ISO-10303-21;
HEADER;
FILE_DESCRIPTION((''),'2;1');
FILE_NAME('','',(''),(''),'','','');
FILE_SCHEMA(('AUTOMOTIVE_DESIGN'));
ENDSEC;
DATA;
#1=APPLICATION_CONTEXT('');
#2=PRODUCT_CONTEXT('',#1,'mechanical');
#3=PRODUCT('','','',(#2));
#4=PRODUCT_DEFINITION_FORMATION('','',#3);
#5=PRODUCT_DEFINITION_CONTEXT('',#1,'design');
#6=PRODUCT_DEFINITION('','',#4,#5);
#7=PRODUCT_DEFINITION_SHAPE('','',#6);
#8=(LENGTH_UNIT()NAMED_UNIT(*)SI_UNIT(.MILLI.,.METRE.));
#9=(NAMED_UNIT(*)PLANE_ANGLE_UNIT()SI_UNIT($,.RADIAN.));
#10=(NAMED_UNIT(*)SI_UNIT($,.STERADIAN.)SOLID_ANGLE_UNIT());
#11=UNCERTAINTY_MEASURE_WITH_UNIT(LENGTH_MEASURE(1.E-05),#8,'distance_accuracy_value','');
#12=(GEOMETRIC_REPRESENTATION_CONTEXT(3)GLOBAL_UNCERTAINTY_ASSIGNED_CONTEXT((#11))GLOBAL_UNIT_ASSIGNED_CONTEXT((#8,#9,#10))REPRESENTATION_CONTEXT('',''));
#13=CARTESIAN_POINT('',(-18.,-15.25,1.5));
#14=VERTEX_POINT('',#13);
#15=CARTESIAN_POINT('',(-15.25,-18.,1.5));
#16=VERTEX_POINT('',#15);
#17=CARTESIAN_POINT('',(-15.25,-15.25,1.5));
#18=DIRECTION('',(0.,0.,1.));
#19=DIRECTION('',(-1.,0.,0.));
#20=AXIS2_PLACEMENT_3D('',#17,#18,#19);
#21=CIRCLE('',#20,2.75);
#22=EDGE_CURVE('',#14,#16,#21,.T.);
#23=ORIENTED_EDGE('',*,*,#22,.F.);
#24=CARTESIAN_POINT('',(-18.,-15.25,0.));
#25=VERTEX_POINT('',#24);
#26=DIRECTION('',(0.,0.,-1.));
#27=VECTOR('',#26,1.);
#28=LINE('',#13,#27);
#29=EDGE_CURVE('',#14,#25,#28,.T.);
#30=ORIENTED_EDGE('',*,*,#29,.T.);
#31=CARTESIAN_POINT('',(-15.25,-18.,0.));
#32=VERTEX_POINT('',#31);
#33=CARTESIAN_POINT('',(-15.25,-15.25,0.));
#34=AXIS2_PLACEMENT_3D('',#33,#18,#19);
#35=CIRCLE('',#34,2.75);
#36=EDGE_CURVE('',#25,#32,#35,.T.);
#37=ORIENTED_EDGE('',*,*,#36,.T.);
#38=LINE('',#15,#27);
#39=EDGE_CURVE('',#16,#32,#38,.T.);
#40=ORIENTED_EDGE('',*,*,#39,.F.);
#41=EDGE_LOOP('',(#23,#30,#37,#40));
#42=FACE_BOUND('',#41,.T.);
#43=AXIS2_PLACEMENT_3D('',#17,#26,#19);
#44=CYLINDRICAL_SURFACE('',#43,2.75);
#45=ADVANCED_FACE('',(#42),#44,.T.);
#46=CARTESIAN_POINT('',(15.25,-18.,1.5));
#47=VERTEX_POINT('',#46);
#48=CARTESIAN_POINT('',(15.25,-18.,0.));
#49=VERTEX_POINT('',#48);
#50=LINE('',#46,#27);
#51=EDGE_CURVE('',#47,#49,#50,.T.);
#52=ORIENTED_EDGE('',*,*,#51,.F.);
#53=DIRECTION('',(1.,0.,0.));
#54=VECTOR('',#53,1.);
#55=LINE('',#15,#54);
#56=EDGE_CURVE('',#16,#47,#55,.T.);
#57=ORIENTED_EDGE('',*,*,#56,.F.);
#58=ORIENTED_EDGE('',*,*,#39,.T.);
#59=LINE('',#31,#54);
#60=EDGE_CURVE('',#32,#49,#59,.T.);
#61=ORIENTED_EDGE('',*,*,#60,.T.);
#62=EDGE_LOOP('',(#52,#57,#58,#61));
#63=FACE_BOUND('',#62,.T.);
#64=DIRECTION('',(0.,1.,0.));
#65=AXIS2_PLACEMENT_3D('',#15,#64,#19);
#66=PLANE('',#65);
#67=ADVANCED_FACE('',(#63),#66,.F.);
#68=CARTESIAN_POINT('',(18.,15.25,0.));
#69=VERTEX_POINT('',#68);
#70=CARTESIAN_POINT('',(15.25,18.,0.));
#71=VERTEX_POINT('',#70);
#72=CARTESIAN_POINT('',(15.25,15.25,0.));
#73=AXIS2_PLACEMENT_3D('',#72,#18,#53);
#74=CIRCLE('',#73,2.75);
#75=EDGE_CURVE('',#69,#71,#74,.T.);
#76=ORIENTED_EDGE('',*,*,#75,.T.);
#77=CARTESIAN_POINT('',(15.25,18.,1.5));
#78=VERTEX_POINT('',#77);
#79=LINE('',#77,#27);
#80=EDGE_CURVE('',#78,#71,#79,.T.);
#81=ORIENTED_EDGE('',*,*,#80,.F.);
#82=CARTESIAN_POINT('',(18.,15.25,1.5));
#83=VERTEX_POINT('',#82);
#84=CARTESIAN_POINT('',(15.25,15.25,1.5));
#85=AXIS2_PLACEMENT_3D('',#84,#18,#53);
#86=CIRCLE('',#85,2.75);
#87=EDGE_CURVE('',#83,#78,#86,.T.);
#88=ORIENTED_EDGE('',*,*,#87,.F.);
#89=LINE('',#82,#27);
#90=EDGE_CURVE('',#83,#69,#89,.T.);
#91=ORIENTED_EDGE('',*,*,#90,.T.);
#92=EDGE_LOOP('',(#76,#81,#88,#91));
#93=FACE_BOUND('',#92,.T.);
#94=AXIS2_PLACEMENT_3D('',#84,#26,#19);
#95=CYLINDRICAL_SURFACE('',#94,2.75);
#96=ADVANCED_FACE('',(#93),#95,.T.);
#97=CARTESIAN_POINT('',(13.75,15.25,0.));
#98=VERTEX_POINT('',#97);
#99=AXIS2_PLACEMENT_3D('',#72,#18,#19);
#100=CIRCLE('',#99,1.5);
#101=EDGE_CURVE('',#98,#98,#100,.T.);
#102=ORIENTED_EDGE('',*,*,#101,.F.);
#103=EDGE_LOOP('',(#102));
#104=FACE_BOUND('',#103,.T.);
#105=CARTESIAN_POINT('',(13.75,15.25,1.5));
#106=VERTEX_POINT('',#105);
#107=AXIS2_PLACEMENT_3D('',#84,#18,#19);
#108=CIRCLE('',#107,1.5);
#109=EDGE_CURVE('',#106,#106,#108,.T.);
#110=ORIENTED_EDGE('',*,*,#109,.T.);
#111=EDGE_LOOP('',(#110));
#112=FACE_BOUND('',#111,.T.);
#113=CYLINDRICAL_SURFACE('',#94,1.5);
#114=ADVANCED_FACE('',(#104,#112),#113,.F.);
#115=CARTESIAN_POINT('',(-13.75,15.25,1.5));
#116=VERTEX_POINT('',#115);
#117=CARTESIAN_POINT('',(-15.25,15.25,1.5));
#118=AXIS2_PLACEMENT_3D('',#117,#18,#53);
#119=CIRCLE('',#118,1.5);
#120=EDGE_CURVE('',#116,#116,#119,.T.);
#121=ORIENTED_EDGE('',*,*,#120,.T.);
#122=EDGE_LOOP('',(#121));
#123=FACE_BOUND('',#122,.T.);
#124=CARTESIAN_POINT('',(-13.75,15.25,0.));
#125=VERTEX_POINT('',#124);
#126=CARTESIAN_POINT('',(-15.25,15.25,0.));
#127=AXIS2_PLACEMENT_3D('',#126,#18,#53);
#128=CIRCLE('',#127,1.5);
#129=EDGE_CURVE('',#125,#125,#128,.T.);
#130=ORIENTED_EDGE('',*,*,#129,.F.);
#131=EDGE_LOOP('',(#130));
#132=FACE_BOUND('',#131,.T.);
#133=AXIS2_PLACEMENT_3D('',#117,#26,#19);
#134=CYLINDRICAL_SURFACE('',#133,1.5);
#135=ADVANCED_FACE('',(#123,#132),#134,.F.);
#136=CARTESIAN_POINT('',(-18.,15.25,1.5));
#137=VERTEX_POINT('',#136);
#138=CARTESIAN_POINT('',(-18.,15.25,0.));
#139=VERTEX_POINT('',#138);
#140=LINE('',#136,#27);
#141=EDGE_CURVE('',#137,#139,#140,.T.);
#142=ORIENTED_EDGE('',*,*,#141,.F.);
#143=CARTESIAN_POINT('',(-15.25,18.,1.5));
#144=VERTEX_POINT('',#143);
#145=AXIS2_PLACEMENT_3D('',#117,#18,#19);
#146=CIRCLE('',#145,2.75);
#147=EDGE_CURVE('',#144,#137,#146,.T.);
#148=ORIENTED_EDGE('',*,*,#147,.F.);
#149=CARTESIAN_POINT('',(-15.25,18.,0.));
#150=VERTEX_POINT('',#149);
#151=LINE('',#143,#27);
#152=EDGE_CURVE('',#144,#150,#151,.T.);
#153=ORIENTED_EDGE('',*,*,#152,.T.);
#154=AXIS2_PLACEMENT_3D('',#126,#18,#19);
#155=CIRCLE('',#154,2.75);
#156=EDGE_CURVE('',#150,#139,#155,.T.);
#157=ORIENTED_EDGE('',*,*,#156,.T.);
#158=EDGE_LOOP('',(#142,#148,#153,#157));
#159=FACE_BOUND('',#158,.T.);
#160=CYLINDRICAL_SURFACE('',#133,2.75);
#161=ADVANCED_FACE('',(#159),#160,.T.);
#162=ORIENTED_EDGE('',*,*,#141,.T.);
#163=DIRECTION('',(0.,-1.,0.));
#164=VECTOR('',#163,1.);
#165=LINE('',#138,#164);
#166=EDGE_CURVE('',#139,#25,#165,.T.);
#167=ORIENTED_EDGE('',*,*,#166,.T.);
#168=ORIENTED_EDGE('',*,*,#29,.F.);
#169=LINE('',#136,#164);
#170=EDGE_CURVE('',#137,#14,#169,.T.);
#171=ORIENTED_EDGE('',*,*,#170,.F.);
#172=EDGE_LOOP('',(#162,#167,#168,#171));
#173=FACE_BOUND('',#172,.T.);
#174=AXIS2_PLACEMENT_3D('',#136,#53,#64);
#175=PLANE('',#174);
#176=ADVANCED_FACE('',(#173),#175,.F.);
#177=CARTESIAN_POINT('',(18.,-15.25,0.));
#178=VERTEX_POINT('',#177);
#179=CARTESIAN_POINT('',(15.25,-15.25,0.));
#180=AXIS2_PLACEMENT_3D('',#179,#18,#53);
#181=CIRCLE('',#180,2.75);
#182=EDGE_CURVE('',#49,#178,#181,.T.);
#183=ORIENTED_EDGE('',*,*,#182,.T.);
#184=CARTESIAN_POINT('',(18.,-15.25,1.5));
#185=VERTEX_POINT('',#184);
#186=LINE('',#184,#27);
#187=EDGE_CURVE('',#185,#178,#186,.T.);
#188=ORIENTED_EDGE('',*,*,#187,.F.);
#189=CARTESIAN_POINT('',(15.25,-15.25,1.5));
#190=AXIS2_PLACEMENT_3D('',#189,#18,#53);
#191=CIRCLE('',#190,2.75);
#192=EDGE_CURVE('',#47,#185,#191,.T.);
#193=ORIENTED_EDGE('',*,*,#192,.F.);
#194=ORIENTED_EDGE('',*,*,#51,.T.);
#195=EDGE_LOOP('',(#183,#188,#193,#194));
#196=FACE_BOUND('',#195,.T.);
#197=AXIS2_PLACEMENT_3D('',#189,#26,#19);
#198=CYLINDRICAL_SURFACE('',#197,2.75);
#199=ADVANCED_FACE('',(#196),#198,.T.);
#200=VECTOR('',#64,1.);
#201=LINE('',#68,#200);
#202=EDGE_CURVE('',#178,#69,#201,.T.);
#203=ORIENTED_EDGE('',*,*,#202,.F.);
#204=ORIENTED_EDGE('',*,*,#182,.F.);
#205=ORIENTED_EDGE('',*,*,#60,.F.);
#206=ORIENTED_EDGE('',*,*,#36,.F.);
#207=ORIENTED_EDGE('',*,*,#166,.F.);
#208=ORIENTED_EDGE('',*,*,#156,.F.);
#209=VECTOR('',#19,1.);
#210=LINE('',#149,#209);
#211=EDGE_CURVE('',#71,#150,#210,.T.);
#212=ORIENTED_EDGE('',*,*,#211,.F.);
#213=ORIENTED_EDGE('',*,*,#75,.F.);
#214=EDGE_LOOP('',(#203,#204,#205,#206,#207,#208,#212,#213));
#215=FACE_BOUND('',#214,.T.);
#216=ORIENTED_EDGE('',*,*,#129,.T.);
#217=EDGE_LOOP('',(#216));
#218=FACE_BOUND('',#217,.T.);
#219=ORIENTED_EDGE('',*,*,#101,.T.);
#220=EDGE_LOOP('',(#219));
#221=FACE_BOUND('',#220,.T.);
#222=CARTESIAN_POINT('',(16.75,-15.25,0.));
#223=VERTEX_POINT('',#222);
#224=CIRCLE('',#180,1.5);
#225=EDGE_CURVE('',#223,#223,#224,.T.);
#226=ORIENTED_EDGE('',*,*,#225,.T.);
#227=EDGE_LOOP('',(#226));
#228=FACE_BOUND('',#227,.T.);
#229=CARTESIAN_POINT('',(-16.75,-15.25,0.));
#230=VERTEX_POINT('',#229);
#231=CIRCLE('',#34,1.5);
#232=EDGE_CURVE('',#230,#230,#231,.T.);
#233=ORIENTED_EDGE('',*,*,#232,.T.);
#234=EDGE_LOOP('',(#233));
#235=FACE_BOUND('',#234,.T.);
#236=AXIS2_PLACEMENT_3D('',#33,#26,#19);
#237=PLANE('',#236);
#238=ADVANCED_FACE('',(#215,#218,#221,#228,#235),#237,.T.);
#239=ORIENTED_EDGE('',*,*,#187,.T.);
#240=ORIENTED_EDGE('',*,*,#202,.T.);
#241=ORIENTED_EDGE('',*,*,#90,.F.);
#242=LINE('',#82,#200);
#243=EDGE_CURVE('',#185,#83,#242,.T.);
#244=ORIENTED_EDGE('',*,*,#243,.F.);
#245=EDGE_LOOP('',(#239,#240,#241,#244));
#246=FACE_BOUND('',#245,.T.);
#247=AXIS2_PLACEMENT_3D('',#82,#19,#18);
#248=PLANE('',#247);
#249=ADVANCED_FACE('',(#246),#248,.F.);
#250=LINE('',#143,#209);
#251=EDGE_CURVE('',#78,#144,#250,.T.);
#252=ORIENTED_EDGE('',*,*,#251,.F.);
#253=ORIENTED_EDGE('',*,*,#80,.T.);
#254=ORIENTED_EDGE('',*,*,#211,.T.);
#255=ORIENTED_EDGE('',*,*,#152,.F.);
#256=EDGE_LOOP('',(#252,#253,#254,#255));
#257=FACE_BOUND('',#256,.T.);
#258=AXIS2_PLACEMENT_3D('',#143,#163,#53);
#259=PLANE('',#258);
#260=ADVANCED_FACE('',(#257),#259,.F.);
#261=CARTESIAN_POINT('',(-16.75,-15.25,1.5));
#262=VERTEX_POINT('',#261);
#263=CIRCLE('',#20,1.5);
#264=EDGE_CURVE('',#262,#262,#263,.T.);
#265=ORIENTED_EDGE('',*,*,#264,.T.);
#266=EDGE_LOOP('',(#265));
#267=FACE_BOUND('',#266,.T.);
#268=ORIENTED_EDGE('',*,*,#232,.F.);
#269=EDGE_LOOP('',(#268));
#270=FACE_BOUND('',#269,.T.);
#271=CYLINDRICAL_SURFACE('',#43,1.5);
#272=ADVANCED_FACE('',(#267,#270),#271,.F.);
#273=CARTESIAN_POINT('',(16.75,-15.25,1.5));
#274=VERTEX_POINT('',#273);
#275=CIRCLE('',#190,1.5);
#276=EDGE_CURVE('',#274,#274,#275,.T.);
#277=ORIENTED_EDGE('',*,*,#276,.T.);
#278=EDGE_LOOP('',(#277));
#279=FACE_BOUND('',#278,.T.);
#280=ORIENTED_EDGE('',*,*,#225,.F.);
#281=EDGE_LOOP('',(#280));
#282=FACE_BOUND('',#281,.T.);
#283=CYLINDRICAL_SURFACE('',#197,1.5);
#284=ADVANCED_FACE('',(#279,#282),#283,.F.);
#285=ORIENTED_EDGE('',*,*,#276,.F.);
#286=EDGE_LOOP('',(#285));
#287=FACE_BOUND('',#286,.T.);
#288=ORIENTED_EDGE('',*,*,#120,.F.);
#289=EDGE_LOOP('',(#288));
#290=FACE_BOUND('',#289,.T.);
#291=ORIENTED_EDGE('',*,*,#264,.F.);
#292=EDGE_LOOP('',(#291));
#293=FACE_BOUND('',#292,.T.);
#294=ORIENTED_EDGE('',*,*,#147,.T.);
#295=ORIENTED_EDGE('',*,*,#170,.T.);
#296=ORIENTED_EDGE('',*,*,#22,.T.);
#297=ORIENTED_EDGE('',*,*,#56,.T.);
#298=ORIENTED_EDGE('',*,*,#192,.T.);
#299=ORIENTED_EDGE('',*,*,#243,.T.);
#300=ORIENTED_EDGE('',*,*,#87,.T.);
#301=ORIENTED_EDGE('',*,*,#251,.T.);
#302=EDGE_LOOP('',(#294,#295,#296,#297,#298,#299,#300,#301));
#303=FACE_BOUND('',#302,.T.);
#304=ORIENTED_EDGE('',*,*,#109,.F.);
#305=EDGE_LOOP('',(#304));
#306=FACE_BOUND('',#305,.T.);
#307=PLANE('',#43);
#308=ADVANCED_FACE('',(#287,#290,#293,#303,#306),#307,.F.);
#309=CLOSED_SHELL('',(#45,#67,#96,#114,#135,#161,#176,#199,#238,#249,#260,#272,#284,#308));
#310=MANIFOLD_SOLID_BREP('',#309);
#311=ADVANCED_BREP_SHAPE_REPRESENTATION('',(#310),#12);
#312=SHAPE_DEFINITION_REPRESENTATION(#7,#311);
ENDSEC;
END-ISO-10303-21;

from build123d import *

# Parameters (mm, degrees)
SKETCH_1_R      = 1.5
EXTRUDE_1_DEPTH = 1.5


with BuildPart() as part:
    # 草图1 → 凸台-拉伸1 (new body)
    with BuildSketch(Plane.XY):
        with BuildLine():
            Line((-15.25, 18), (15.25, 18))
            ThreePointArc((15.25, 18), (17.194543648, 17.194543648), (18, 15.25))
            Line((18, 15.25), (18, -15.25))
            ThreePointArc((18, -15.25), (17.194543648, -17.194543648), (15.25, -18))
            Line((15.25, -18), (-15.25, -18))
            ThreePointArc((-15.25, -18), (-17.194543648, -17.194543648), (-18, -15.25))
            Line((-18, -15.25), (-18, 15.25))
            ThreePointArc((-18, 15.25), (-17.194543648, 17.194543648), (-15.25, 18))
        make_face()
        with Locations((-15.25, 15.25)):
            Circle(SKETCH_1_R, mode=Mode.SUBTRACT)
        with Locations(Location((15.25, 15.25, 0), (0, 0, 180))):
            Circle(SKETCH_1_R, mode=Mode.SUBTRACT)
        with Locations((15.25, -15.25)):
            Circle(SKETCH_1_R, mode=Mode.SUBTRACT)
        with Locations(Location((-15.25, -15.25, 0), (0, 0, 180))):
            Circle(SKETCH_1_R, mode=Mode.SUBTRACT)
    extrude(amount=EXTRUDE_1_DEPTH)


solid = part.part
